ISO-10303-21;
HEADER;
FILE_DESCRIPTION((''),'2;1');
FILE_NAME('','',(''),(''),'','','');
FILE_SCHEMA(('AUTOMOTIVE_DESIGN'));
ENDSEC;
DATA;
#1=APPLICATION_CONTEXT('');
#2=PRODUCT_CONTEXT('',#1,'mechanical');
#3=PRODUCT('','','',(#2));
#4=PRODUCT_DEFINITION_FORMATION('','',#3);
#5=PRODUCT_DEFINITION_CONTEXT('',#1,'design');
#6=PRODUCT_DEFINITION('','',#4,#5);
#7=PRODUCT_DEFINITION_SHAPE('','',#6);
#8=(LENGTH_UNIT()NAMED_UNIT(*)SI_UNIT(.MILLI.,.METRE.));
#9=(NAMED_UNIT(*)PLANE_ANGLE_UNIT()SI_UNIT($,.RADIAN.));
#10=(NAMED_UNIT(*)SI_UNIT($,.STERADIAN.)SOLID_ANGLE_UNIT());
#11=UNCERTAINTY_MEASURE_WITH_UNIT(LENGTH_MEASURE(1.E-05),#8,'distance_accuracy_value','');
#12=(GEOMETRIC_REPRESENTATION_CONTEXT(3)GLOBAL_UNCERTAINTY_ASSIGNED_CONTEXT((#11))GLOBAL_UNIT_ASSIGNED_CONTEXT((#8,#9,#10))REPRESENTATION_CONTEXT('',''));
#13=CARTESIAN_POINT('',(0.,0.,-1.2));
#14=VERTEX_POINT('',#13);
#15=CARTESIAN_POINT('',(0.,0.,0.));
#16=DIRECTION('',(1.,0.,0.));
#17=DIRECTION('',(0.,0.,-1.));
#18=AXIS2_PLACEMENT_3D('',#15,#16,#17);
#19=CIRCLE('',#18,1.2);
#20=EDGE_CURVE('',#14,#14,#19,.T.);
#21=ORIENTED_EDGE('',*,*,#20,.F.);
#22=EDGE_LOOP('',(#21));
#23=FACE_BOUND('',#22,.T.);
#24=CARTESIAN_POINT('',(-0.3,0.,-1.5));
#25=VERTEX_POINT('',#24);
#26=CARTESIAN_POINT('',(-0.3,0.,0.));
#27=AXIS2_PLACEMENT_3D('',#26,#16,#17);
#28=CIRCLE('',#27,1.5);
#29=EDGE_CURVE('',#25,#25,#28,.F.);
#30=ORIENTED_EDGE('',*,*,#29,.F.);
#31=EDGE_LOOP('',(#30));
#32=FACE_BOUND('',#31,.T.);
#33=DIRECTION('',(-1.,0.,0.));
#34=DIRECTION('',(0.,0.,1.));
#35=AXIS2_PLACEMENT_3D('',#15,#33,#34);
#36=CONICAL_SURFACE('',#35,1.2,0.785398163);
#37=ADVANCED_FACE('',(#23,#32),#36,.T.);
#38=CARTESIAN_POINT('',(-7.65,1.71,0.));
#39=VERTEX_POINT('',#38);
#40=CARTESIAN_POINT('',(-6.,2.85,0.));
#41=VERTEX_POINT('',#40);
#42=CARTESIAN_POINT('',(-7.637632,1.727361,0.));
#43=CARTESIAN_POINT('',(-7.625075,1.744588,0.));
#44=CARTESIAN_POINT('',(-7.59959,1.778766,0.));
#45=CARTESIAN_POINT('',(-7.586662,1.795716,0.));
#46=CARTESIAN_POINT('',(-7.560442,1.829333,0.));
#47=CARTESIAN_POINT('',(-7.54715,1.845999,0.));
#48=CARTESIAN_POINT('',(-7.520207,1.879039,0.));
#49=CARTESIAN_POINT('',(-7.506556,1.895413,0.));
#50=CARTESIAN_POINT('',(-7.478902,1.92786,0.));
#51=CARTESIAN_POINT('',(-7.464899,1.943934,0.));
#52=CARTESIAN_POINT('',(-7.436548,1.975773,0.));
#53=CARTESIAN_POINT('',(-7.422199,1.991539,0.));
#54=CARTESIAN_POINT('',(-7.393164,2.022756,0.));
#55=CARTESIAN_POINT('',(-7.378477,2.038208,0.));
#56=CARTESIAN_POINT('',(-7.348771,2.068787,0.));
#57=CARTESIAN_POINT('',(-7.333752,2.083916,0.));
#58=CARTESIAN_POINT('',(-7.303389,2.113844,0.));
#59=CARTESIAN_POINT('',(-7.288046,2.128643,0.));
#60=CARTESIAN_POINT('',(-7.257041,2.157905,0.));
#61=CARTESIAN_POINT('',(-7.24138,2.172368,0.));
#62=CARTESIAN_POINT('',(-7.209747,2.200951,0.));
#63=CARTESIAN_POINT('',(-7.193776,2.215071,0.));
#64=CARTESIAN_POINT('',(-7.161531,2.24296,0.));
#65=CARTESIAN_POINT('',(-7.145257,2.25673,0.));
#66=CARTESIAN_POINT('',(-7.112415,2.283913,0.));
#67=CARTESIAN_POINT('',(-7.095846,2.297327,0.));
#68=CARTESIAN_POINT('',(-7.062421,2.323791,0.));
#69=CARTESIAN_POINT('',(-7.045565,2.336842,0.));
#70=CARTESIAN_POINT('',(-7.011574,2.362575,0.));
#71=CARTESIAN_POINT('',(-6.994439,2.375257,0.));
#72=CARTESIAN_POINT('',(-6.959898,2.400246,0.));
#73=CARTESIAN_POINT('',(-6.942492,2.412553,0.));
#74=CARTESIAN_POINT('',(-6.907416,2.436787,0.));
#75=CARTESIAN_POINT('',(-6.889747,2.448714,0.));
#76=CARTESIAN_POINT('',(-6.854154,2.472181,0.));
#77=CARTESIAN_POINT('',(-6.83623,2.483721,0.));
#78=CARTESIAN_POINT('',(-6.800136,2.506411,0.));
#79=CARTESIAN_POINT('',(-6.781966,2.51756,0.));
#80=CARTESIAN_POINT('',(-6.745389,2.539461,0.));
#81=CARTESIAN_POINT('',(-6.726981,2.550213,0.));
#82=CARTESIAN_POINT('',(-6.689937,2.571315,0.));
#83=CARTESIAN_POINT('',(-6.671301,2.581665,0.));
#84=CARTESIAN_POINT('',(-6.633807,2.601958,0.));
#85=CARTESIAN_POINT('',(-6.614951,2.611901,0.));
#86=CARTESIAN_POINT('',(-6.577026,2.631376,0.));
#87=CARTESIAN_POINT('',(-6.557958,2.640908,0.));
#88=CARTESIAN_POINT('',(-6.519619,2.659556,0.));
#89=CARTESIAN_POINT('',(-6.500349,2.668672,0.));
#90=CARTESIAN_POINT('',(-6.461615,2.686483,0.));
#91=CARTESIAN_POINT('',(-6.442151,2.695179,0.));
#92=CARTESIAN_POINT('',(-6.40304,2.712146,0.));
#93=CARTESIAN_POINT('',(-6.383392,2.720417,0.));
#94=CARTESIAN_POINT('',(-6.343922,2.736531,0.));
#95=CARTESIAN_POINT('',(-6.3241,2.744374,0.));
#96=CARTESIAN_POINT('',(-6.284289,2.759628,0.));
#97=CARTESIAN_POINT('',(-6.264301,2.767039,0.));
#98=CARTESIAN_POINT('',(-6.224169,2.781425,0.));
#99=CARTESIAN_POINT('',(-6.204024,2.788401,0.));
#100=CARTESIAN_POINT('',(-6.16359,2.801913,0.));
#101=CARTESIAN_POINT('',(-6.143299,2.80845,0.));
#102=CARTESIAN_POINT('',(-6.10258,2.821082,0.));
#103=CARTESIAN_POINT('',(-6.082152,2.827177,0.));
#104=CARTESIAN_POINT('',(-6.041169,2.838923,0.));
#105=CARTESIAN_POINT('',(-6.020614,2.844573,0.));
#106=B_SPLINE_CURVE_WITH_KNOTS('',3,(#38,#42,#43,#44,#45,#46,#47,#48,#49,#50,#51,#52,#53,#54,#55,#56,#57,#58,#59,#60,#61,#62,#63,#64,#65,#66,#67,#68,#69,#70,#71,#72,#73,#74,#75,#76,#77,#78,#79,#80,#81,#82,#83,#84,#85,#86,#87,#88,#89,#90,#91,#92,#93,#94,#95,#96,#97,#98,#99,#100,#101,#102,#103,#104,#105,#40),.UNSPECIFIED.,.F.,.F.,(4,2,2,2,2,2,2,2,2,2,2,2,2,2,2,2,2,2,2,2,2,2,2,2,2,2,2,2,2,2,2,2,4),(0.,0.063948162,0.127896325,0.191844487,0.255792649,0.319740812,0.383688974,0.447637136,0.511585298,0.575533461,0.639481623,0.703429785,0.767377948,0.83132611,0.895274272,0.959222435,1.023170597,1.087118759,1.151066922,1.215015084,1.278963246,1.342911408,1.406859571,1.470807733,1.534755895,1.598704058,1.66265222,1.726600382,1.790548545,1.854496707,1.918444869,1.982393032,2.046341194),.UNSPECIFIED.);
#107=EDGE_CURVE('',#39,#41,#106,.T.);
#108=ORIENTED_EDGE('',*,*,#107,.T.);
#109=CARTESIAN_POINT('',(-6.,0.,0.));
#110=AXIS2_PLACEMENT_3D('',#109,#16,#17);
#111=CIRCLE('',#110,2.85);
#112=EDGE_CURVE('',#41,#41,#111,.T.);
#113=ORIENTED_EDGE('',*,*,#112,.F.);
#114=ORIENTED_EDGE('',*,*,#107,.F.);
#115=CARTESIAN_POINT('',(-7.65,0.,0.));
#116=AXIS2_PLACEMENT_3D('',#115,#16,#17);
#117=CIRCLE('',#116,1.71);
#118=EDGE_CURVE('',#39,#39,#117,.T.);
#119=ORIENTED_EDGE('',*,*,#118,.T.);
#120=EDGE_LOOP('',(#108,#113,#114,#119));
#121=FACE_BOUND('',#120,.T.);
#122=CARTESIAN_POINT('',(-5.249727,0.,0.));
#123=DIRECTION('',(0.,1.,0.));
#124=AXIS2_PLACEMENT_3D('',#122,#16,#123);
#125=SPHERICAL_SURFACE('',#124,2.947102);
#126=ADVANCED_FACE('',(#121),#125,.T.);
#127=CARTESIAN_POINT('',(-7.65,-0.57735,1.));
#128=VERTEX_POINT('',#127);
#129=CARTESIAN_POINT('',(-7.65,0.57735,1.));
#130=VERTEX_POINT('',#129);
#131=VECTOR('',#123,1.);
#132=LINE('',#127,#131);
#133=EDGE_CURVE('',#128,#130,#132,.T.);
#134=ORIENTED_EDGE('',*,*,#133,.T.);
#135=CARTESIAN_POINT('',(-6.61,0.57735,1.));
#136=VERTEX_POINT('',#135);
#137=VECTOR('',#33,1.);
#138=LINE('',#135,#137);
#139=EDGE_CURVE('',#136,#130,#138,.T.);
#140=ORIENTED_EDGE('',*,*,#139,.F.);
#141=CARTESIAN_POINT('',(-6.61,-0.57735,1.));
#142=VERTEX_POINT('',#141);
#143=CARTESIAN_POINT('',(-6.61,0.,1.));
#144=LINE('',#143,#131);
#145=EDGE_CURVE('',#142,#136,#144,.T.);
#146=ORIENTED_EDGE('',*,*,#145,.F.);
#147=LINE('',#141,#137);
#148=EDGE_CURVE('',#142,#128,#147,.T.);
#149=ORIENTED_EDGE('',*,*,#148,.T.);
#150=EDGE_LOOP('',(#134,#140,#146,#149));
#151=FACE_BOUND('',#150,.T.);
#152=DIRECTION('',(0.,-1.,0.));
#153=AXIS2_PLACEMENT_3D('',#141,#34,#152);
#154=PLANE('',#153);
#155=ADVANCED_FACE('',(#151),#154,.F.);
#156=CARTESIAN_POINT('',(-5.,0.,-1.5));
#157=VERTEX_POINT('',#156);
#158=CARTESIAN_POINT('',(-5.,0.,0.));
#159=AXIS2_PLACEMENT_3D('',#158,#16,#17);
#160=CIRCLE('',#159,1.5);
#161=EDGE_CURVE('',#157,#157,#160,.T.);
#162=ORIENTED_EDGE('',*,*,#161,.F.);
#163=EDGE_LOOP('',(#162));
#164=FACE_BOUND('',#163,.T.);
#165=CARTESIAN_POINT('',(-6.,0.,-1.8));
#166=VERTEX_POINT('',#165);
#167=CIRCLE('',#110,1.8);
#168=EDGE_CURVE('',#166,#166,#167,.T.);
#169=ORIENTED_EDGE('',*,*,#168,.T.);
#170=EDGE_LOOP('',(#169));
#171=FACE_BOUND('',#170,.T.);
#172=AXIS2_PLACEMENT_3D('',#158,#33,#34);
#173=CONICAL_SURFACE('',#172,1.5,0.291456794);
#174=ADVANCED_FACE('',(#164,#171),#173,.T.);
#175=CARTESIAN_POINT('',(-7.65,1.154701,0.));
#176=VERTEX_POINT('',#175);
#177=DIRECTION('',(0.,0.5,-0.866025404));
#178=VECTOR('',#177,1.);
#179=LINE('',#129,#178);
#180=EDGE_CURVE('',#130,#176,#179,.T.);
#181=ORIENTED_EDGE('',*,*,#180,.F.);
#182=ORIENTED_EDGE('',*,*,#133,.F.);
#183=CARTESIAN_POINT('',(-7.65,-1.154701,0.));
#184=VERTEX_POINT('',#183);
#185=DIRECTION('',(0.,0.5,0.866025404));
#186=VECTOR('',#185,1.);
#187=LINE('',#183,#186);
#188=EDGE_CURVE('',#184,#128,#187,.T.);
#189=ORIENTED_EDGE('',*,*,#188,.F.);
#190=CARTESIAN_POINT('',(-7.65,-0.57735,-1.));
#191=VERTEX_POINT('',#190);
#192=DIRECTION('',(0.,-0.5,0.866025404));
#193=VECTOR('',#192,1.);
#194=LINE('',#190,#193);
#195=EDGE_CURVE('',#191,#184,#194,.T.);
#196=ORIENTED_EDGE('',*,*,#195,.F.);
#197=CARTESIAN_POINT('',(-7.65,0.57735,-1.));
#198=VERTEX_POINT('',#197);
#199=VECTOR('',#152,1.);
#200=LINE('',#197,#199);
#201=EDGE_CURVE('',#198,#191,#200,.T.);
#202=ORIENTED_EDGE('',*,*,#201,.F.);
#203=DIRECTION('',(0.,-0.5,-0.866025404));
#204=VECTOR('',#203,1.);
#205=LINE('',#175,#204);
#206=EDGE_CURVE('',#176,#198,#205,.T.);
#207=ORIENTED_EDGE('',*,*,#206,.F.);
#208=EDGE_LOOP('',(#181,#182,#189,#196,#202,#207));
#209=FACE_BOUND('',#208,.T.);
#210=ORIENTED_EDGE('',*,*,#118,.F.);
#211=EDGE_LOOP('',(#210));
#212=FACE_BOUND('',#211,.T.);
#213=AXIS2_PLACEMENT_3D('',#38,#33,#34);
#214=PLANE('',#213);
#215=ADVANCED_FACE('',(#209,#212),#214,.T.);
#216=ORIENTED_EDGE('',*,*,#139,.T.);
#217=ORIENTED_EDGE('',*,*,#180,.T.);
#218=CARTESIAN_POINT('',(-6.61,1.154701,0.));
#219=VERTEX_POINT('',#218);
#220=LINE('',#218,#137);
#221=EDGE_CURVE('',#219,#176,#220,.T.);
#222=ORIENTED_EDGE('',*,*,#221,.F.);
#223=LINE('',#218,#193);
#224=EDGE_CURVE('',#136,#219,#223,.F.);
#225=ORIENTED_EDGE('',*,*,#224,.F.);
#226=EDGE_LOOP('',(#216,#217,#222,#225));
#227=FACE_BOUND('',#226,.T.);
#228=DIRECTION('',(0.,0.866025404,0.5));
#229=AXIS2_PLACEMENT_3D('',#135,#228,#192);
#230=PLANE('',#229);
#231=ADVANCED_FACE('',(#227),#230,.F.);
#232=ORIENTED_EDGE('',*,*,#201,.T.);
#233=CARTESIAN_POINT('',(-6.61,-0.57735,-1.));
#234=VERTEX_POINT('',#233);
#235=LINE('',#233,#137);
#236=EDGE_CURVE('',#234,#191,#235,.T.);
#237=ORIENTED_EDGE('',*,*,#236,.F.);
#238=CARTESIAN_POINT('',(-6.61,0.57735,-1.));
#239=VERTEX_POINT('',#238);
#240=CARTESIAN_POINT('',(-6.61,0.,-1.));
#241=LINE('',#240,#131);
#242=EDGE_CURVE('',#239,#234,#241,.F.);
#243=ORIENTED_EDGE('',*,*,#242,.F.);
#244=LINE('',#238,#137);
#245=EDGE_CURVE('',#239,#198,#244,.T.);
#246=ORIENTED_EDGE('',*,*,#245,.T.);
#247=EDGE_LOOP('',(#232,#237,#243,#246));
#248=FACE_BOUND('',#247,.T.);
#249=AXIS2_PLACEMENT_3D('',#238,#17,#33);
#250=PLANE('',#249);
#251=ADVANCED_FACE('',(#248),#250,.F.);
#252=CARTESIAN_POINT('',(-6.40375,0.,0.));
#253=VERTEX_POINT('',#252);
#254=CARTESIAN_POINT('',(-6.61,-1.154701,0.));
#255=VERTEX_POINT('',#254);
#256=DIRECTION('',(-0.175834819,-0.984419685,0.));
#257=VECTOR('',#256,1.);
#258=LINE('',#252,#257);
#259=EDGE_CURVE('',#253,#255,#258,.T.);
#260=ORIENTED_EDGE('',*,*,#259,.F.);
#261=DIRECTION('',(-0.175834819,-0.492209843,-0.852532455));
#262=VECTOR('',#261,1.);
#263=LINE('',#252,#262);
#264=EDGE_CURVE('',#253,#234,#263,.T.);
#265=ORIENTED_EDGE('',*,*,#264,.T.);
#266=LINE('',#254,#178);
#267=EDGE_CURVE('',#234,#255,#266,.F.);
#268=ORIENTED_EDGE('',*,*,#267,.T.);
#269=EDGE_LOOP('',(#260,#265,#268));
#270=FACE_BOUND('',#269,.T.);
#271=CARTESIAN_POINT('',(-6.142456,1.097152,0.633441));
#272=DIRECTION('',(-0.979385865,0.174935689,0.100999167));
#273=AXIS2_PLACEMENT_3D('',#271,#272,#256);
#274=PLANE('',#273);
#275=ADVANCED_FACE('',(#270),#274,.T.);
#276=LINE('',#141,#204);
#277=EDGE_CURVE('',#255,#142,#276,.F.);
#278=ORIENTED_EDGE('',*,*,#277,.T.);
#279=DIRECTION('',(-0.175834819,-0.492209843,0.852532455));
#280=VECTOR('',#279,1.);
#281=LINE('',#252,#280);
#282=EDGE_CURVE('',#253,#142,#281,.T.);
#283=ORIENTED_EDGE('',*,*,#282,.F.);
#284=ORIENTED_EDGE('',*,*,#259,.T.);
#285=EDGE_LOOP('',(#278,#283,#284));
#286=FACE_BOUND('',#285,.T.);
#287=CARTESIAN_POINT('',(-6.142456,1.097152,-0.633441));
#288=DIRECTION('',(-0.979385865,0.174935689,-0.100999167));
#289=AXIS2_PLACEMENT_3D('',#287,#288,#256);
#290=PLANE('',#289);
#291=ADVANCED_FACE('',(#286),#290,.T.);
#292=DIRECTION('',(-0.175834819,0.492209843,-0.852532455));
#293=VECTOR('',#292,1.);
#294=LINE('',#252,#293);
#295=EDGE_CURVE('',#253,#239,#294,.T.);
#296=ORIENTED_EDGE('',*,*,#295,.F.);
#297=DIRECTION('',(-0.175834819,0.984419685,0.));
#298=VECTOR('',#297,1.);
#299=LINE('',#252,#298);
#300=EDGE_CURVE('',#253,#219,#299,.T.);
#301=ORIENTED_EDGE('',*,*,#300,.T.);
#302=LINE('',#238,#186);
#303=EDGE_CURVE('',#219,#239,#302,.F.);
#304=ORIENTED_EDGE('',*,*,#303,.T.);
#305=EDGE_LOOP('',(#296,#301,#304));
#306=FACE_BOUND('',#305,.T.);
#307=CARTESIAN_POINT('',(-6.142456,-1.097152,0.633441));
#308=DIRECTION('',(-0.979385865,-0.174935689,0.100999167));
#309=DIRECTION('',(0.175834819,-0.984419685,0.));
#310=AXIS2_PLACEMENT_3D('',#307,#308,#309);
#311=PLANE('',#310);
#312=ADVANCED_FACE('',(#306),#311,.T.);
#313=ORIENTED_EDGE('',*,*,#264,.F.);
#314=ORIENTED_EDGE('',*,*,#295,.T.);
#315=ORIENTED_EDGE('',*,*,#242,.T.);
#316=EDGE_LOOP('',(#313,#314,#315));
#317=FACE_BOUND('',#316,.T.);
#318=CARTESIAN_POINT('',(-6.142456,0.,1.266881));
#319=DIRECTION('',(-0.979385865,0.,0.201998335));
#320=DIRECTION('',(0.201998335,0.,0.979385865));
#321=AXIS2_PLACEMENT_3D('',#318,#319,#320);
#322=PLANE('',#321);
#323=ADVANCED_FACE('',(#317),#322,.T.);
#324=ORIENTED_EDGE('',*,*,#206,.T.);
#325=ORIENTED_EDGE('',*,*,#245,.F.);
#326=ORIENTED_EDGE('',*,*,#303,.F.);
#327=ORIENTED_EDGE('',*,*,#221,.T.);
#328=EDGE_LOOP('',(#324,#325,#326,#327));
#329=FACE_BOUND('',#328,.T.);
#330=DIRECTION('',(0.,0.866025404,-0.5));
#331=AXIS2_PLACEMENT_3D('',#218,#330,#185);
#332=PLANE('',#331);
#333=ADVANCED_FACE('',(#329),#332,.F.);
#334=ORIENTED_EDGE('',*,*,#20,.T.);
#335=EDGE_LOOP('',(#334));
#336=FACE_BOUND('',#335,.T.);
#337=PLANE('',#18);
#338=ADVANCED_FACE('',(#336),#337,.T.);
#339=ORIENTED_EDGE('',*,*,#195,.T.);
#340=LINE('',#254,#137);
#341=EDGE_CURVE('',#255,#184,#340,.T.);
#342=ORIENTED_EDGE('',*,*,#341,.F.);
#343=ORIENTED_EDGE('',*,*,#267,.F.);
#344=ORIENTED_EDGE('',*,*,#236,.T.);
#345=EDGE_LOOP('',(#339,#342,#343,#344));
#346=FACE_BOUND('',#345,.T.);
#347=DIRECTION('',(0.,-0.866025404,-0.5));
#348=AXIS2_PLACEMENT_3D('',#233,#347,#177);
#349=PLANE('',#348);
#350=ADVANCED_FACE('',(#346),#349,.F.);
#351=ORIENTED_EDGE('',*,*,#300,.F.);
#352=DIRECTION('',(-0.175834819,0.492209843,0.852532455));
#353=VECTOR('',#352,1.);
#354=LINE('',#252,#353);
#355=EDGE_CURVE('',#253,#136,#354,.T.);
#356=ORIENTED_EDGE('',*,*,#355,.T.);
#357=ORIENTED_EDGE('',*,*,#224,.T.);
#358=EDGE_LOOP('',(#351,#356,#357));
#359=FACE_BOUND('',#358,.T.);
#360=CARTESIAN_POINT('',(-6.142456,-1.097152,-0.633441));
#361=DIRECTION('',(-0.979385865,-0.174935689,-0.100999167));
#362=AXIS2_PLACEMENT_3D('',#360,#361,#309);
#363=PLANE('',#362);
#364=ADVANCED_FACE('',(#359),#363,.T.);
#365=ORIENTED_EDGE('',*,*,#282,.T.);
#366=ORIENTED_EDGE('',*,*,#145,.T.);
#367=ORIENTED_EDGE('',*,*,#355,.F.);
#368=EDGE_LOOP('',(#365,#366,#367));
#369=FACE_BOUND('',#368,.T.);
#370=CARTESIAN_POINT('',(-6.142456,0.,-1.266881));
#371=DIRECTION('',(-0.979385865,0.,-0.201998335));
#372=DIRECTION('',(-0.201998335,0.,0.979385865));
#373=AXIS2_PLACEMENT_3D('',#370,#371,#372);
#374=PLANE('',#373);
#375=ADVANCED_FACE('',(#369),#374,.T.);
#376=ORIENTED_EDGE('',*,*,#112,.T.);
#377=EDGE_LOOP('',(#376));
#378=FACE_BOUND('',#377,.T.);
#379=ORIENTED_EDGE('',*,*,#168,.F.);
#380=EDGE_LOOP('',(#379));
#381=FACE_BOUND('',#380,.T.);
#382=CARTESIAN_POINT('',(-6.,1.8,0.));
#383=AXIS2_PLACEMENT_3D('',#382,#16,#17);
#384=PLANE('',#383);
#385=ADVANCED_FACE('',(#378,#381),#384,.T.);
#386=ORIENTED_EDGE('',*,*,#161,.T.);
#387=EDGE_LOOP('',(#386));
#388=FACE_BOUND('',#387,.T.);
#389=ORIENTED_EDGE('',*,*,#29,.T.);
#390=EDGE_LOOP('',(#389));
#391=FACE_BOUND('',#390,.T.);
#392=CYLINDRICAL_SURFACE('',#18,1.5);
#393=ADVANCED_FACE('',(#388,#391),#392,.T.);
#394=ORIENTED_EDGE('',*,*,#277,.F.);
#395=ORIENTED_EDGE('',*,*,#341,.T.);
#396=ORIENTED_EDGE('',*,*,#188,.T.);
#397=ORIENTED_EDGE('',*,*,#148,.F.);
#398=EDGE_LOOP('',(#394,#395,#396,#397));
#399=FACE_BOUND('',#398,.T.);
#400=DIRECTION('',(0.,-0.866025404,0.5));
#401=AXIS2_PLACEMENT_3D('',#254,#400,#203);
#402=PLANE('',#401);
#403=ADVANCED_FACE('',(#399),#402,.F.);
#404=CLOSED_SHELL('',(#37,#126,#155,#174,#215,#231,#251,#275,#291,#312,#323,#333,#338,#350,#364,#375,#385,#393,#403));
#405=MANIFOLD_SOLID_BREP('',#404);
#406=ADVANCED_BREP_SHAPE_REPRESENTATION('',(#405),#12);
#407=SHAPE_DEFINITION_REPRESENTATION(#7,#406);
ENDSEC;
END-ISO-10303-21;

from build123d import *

# Parameters (mm, degrees)
CUT_EXTRUDE_1_DEPTH = 1.04
CHAMFER_1_SIZE      = 0.3


with BuildPart() as part:
    # 草图1 → 旋转1 (revolve)
    with BuildSketch(Plane.XY, mode=Mode.PRIVATE) as revolve_1_sk:
        with BuildLine():
            Line((0, 0), (0, 1.5))
            Line((0, 1.5), (-5, 1.5))
            Line((-5, 1.5), (-6, 1.8))
            Line((-6, 1.8), (-6, 2.85))
            ThreePointArc((-6, 2.85), (-6.924953874, 2.424670081), (-7.65, 1.71))
            Line((-7.65, 1.71), (-7.65, 0))
            Line((-7.65, 0), (0, 0))
        make_face()
    revolve(revolve_1_sk.sketch.rotate(Axis((0, 0, 0), (-1, 0, 0)), 90), axis=Axis((0, 0, 0), (-1, 0, 0)))

    # 草图4 → 切除-拉伸1 (cut)
    with BuildSketch(Plane.ZY.offset(7.65)):
        Polygon((0, 1.154700538), (-1, 0.577350269), (-1, -0.577350269), (0, -1.154700538), (1, -0.577350269), (1, 0.577350269), align=None)
    extrude(amount=-CUT_EXTRUDE_1_DEPTH, mode=Mode.SUBTRACT)

    # 倒角1
    chamfer_1_edges = [part.edges().sort_by_distance(p)[0] for p in [
        (0, 0, 1.5),
    ]]
    chamfer(chamfer_1_edges, length=CHAMFER_1_SIZE)

    # 草图6 → 切除-放样1 section 0
    with BuildSketch(Plane.ZY.offset(6.61), mode=Mode.PRIVATE) as loft_1_s0:
        with BuildLine():
            Line((0, 1.154700538), (-1, 0.577350269))
            Line((-1, 0.577350269), (-1, -0.577350269))
            Line((-1, -0.577350269), (0, -1.154700538))
            Line((0, -1.154700538), (1, -0.577350269))
            Line((1, -0.577350269), (1, 0.577350269))
            Line((1, 0.577350269), (0, 1.154700538))
        make_face()
    loft([Vertex(-6.40375, 0, 0), loft_1_s0.sketch], mode=Mode.SUBTRACT)


solid = part.part
